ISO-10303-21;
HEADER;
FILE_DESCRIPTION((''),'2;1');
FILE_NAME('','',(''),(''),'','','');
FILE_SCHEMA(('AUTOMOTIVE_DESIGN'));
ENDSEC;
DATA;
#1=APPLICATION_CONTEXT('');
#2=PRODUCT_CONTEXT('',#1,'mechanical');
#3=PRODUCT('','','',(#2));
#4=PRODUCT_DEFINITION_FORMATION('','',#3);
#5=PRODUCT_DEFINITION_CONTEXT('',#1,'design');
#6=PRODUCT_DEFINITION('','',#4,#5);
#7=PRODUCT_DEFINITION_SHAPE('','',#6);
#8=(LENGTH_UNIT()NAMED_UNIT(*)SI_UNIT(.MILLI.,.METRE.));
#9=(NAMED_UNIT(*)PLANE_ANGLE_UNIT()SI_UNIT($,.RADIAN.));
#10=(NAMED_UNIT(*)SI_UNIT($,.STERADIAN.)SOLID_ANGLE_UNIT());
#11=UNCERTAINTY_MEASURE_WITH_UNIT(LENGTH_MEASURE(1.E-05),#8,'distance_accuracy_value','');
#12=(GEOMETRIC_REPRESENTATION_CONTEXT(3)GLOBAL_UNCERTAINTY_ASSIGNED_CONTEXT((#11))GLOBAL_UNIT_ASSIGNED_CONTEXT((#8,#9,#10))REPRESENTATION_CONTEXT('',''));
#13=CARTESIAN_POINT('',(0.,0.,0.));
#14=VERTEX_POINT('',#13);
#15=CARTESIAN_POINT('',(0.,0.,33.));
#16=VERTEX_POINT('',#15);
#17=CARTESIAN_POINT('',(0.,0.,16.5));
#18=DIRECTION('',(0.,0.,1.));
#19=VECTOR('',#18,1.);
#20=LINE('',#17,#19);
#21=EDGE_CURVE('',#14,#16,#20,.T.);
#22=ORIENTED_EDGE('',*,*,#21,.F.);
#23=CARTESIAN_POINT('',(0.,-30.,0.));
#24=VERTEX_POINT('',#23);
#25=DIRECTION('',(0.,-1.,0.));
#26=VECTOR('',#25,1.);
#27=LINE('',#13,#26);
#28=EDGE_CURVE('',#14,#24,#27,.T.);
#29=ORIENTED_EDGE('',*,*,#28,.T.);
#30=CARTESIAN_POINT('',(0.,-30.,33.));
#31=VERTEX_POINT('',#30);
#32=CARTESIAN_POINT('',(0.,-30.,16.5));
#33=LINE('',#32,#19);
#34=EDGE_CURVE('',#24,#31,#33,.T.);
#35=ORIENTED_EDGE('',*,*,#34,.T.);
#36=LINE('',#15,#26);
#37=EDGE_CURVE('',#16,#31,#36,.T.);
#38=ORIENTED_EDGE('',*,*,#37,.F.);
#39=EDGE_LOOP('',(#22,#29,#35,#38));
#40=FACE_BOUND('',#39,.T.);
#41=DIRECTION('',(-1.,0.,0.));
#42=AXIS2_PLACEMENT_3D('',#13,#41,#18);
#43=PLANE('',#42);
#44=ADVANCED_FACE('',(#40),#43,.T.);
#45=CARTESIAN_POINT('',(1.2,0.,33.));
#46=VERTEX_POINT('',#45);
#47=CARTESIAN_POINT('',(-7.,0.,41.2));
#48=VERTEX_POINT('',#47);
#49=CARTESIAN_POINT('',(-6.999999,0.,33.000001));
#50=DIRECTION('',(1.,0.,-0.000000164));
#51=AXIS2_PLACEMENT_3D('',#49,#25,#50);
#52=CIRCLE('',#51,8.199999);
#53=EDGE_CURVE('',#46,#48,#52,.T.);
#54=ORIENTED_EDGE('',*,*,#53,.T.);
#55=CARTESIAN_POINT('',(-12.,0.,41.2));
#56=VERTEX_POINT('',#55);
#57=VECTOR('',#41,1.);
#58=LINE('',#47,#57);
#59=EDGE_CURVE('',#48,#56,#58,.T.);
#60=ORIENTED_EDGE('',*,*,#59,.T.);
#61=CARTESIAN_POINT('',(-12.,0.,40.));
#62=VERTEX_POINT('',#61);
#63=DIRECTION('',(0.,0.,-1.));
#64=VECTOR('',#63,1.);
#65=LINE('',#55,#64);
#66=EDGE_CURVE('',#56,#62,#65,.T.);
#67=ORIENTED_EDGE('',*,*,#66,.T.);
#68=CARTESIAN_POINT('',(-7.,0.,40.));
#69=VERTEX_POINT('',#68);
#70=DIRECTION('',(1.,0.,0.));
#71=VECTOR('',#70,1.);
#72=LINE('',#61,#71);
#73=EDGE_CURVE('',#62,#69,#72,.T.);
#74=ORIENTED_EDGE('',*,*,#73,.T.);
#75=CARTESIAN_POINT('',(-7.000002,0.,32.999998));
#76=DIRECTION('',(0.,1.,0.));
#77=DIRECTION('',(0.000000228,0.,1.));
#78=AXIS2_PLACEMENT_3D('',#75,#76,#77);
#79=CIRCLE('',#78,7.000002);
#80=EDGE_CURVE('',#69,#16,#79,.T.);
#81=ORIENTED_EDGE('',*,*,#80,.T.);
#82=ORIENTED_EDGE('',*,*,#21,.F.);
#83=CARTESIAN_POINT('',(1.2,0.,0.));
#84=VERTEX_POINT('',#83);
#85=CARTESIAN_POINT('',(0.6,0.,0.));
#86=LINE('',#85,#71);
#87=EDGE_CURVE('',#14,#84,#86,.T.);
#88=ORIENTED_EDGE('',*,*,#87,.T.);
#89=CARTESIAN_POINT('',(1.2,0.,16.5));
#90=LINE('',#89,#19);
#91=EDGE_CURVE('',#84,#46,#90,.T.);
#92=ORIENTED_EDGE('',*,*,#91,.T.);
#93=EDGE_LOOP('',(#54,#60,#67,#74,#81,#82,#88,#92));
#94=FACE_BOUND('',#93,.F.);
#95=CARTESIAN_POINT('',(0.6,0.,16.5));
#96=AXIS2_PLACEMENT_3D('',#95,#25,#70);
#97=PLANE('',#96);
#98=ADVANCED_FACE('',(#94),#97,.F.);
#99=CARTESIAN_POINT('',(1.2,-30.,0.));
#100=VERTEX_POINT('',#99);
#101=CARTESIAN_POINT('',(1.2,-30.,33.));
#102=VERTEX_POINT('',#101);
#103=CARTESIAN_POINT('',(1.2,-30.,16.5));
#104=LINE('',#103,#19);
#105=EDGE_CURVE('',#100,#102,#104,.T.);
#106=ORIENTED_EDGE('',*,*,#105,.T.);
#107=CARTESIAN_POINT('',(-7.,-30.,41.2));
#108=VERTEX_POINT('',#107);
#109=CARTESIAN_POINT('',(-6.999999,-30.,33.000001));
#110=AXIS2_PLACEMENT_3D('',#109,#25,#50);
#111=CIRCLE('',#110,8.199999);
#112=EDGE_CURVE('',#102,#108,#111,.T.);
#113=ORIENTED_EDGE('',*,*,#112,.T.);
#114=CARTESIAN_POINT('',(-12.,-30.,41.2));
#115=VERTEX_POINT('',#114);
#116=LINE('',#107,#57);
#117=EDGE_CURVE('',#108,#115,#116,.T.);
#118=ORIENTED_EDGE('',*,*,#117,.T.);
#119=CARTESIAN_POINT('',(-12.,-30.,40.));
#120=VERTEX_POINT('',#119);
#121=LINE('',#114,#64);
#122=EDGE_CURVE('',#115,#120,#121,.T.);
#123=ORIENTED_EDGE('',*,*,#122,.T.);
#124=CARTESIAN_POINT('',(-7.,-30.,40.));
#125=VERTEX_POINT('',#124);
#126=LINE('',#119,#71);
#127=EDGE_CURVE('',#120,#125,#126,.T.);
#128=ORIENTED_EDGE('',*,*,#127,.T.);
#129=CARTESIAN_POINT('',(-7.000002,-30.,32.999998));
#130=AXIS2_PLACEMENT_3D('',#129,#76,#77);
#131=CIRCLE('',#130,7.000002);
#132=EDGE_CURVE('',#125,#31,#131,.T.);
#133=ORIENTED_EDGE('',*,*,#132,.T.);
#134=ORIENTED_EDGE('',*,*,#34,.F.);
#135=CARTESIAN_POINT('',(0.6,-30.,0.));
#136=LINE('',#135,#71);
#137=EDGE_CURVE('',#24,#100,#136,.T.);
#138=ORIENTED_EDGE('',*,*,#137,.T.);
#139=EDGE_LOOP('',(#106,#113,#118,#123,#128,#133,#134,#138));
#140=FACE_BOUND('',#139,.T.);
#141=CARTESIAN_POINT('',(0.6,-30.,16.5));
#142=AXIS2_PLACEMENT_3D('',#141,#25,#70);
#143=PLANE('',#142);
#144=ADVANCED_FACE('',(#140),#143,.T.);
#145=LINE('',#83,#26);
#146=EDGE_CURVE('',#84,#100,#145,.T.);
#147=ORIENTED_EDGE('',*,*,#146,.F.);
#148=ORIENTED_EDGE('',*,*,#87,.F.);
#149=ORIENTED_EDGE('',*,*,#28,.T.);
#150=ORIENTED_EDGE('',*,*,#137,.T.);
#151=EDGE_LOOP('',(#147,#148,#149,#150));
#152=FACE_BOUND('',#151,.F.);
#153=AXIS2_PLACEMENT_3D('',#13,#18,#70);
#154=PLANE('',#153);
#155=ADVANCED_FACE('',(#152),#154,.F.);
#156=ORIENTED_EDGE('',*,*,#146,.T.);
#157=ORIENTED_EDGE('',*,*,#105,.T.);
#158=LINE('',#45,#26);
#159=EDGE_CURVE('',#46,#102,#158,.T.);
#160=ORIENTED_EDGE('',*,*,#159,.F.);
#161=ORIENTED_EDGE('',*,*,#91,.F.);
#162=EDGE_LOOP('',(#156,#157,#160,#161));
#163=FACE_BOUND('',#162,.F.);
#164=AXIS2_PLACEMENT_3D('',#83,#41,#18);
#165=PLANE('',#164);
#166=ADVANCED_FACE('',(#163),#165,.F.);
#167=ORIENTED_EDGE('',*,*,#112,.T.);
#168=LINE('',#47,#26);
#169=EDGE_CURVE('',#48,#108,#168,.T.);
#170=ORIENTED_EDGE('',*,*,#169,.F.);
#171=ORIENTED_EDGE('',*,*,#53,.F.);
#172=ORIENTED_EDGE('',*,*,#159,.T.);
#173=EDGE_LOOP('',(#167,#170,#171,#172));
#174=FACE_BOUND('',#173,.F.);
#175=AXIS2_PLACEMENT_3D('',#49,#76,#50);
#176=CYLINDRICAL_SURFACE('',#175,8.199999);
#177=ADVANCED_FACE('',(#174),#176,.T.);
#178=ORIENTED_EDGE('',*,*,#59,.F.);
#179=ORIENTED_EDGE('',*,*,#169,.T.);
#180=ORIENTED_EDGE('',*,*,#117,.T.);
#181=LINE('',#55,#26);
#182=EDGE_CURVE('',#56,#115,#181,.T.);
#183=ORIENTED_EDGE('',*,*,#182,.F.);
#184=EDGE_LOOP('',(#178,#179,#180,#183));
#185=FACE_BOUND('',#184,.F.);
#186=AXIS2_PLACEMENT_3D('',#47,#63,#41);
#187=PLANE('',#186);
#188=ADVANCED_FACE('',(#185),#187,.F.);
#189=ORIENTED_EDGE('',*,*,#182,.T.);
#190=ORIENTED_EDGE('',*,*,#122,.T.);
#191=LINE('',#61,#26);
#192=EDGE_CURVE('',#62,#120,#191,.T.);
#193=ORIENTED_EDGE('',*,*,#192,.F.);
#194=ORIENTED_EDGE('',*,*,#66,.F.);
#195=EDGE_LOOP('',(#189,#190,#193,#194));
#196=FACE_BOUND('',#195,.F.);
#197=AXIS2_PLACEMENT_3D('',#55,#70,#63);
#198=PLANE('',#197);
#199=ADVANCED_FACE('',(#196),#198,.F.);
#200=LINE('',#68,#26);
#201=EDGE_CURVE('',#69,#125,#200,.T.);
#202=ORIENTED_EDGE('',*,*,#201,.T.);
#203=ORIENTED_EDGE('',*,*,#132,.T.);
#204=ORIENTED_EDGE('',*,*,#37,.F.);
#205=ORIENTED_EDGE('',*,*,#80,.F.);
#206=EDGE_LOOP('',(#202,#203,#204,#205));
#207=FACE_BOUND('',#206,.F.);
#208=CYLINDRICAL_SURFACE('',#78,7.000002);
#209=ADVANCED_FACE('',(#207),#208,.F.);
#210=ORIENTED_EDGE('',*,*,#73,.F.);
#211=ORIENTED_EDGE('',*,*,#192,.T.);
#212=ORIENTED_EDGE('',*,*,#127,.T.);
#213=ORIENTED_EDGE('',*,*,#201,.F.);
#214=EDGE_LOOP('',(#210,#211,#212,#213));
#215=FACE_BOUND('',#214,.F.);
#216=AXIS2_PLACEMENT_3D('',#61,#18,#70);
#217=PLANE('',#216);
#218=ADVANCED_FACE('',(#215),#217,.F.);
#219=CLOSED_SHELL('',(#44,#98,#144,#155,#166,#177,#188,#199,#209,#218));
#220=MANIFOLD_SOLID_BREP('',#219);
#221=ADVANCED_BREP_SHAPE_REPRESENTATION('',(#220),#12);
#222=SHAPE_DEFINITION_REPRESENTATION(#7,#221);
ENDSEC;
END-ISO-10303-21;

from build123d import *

# Parameters (mm, degrees)
F0_W     = 1.2
F0_H     = 33
F1_DEPTH = 30


with BuildPart() as f1:
    # F0 (on Front) → F1 (new body)
    with BuildSketch(Plane.XZ):
        with Locations((0.6, 16.5)):
            Rectangle(F0_W, F0_H)
        with BuildLine():
            ThreePointArc((-7, 40), (-2.050253, 37.949747), (0, 33))
            Line((0, 33), (1.2, 33))
            ThreePointArc((1.2, 33), (-1.201724, 38.798276), (-7, 41.2))
            Line((-7, 41.2), (-12, 41.2))
            Line((-12, 41.2), (-12, 40))
            Line((-12, 40), (-7, 40))
        make_face()
    extrude(amount=F1_DEPTH)


solid = f1.part
